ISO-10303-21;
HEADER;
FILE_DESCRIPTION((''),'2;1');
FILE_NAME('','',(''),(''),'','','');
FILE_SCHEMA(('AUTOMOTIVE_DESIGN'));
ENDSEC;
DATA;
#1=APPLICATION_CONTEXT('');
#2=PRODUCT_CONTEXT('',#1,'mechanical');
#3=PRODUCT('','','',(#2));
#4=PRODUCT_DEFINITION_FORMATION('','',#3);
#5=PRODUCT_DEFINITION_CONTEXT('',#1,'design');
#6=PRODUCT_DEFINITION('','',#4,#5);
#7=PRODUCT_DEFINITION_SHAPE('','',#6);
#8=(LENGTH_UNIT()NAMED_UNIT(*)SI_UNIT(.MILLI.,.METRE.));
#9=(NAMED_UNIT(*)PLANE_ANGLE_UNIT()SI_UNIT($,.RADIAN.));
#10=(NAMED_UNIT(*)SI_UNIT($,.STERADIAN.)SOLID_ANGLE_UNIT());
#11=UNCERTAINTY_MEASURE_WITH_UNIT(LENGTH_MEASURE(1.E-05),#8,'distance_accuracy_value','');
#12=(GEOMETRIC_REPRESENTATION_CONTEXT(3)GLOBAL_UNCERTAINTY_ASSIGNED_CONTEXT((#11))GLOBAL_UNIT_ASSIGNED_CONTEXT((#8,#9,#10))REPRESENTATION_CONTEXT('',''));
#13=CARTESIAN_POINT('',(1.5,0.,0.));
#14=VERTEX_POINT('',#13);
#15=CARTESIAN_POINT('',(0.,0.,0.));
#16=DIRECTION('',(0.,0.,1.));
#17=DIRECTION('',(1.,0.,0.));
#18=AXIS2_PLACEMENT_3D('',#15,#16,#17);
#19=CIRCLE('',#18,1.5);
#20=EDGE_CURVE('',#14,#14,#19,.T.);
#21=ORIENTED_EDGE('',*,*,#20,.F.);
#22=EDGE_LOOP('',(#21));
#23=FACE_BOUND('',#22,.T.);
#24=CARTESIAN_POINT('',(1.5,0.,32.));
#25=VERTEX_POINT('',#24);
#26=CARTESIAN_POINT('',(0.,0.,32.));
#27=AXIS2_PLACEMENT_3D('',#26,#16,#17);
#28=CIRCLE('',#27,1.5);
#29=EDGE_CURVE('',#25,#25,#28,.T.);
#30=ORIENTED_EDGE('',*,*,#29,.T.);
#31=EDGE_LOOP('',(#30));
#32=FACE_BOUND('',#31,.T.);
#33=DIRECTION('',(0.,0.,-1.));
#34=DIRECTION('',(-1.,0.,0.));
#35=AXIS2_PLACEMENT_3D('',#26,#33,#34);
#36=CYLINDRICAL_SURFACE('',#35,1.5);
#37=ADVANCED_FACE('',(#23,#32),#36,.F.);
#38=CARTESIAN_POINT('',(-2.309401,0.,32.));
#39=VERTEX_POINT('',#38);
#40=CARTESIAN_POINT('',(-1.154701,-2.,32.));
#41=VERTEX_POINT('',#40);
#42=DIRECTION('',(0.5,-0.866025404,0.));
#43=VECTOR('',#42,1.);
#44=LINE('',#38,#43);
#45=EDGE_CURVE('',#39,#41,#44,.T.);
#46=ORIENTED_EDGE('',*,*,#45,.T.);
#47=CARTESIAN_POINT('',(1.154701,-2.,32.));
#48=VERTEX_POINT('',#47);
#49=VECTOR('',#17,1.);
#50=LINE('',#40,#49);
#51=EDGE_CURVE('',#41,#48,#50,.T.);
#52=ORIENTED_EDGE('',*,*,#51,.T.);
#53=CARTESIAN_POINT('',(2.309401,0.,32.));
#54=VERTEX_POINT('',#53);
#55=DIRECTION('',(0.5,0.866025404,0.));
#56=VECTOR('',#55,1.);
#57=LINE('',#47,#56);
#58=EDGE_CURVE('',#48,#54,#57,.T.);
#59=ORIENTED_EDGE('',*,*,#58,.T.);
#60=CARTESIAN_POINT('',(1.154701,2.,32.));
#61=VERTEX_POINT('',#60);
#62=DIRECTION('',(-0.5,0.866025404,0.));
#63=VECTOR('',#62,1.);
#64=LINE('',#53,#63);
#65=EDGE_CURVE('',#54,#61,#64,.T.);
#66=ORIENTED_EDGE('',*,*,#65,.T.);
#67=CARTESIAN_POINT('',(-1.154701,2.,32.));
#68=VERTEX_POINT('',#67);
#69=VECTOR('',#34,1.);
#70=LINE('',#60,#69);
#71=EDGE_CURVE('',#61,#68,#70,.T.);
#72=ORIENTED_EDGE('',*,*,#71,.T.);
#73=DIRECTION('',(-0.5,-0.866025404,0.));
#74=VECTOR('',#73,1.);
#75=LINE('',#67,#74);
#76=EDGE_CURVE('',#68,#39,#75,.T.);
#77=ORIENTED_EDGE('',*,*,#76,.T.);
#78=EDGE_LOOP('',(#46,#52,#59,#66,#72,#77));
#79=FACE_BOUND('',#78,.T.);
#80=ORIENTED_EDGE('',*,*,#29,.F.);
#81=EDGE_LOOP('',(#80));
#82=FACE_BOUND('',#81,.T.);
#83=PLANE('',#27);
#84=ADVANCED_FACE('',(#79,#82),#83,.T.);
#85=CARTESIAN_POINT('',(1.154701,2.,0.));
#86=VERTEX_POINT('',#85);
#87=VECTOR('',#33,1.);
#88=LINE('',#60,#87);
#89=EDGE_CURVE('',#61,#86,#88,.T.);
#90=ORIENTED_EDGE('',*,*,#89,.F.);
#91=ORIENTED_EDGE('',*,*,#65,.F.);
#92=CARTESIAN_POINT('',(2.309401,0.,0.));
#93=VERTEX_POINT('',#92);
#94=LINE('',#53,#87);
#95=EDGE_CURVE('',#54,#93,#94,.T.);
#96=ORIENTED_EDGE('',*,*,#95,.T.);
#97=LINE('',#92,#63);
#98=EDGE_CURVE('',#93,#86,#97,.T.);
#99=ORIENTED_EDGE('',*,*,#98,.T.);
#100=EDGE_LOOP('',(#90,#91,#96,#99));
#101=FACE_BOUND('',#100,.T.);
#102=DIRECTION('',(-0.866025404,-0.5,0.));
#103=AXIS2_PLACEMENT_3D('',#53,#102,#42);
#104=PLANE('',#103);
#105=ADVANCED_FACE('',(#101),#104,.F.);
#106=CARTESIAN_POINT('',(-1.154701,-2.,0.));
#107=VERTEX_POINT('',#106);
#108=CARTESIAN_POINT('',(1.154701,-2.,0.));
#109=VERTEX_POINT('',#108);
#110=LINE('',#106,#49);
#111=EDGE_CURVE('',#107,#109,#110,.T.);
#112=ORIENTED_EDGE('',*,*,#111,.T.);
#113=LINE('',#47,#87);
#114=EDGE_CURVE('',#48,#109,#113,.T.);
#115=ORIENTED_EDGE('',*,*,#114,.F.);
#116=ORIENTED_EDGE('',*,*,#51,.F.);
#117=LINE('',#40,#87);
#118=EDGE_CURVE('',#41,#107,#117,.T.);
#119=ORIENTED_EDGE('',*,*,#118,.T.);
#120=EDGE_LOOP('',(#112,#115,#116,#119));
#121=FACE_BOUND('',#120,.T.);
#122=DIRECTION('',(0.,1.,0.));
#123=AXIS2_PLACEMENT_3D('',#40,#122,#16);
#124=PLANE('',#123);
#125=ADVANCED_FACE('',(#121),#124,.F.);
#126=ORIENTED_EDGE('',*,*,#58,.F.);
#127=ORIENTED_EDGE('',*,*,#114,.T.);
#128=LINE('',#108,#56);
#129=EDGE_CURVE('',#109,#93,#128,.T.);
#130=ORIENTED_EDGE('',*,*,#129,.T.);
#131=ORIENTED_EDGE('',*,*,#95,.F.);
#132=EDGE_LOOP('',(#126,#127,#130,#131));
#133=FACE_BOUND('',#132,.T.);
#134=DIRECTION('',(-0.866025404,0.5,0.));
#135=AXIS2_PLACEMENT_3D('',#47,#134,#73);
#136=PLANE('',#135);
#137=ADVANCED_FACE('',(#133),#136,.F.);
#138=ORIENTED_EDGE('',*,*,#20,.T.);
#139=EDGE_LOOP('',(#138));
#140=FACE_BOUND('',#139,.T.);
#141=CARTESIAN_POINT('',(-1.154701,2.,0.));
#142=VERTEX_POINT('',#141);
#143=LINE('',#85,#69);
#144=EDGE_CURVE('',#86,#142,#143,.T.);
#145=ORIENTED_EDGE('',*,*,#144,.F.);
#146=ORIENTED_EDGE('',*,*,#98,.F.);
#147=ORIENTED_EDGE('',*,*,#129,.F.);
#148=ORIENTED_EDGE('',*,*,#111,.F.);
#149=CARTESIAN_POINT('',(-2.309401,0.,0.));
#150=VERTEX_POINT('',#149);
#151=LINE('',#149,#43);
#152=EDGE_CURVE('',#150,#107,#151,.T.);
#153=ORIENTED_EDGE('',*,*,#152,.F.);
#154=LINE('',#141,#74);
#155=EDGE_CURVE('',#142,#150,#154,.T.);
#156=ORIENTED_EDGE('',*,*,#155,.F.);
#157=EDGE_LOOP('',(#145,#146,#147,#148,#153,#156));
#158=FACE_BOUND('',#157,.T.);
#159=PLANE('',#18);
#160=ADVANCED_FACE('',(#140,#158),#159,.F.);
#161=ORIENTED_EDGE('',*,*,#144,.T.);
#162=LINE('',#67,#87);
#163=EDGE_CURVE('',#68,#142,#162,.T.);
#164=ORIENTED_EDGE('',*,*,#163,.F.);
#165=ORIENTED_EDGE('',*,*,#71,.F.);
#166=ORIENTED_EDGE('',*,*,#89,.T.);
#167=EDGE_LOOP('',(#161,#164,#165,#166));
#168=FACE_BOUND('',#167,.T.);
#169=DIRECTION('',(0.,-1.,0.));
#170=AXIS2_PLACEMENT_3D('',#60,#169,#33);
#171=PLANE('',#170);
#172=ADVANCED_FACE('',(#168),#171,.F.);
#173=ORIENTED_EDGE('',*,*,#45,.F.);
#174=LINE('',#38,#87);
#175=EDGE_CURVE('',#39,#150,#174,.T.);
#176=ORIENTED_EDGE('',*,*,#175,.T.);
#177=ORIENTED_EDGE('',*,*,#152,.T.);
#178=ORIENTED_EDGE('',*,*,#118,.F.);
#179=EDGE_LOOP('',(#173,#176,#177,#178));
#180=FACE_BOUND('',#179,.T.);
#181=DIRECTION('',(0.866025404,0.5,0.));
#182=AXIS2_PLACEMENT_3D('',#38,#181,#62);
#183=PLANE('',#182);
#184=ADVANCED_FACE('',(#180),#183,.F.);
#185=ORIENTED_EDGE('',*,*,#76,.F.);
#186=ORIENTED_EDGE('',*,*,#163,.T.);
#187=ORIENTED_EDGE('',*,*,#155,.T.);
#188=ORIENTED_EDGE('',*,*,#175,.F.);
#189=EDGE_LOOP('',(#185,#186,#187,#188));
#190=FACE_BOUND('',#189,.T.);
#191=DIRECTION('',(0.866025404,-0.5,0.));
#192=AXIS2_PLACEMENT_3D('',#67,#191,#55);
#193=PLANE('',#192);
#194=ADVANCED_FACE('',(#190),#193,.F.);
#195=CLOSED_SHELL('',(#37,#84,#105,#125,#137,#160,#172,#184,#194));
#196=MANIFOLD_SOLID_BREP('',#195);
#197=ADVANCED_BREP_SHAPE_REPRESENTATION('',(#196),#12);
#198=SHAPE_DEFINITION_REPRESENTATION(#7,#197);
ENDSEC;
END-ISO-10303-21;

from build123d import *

# Parameters (mm, degrees)
SKETCH_1_R      = 1.5
EXTRUDE_1_DEPTH = 32


with BuildPart() as part:
    # 草图1 → 凸台-拉伸1 (new body)
    with BuildSketch(Plane.XY):
        Polygon((2.309401077, 0), (1.154700538, 2), (-1.154700538, 2), (-2.309401077, 0), (-1.154700538, -2), (1.154700538, -2), align=None)
        Circle(SKETCH_1_R, mode=Mode.SUBTRACT)
    extrude(amount=EXTRUDE_1_DEPTH)


solid = part.part
